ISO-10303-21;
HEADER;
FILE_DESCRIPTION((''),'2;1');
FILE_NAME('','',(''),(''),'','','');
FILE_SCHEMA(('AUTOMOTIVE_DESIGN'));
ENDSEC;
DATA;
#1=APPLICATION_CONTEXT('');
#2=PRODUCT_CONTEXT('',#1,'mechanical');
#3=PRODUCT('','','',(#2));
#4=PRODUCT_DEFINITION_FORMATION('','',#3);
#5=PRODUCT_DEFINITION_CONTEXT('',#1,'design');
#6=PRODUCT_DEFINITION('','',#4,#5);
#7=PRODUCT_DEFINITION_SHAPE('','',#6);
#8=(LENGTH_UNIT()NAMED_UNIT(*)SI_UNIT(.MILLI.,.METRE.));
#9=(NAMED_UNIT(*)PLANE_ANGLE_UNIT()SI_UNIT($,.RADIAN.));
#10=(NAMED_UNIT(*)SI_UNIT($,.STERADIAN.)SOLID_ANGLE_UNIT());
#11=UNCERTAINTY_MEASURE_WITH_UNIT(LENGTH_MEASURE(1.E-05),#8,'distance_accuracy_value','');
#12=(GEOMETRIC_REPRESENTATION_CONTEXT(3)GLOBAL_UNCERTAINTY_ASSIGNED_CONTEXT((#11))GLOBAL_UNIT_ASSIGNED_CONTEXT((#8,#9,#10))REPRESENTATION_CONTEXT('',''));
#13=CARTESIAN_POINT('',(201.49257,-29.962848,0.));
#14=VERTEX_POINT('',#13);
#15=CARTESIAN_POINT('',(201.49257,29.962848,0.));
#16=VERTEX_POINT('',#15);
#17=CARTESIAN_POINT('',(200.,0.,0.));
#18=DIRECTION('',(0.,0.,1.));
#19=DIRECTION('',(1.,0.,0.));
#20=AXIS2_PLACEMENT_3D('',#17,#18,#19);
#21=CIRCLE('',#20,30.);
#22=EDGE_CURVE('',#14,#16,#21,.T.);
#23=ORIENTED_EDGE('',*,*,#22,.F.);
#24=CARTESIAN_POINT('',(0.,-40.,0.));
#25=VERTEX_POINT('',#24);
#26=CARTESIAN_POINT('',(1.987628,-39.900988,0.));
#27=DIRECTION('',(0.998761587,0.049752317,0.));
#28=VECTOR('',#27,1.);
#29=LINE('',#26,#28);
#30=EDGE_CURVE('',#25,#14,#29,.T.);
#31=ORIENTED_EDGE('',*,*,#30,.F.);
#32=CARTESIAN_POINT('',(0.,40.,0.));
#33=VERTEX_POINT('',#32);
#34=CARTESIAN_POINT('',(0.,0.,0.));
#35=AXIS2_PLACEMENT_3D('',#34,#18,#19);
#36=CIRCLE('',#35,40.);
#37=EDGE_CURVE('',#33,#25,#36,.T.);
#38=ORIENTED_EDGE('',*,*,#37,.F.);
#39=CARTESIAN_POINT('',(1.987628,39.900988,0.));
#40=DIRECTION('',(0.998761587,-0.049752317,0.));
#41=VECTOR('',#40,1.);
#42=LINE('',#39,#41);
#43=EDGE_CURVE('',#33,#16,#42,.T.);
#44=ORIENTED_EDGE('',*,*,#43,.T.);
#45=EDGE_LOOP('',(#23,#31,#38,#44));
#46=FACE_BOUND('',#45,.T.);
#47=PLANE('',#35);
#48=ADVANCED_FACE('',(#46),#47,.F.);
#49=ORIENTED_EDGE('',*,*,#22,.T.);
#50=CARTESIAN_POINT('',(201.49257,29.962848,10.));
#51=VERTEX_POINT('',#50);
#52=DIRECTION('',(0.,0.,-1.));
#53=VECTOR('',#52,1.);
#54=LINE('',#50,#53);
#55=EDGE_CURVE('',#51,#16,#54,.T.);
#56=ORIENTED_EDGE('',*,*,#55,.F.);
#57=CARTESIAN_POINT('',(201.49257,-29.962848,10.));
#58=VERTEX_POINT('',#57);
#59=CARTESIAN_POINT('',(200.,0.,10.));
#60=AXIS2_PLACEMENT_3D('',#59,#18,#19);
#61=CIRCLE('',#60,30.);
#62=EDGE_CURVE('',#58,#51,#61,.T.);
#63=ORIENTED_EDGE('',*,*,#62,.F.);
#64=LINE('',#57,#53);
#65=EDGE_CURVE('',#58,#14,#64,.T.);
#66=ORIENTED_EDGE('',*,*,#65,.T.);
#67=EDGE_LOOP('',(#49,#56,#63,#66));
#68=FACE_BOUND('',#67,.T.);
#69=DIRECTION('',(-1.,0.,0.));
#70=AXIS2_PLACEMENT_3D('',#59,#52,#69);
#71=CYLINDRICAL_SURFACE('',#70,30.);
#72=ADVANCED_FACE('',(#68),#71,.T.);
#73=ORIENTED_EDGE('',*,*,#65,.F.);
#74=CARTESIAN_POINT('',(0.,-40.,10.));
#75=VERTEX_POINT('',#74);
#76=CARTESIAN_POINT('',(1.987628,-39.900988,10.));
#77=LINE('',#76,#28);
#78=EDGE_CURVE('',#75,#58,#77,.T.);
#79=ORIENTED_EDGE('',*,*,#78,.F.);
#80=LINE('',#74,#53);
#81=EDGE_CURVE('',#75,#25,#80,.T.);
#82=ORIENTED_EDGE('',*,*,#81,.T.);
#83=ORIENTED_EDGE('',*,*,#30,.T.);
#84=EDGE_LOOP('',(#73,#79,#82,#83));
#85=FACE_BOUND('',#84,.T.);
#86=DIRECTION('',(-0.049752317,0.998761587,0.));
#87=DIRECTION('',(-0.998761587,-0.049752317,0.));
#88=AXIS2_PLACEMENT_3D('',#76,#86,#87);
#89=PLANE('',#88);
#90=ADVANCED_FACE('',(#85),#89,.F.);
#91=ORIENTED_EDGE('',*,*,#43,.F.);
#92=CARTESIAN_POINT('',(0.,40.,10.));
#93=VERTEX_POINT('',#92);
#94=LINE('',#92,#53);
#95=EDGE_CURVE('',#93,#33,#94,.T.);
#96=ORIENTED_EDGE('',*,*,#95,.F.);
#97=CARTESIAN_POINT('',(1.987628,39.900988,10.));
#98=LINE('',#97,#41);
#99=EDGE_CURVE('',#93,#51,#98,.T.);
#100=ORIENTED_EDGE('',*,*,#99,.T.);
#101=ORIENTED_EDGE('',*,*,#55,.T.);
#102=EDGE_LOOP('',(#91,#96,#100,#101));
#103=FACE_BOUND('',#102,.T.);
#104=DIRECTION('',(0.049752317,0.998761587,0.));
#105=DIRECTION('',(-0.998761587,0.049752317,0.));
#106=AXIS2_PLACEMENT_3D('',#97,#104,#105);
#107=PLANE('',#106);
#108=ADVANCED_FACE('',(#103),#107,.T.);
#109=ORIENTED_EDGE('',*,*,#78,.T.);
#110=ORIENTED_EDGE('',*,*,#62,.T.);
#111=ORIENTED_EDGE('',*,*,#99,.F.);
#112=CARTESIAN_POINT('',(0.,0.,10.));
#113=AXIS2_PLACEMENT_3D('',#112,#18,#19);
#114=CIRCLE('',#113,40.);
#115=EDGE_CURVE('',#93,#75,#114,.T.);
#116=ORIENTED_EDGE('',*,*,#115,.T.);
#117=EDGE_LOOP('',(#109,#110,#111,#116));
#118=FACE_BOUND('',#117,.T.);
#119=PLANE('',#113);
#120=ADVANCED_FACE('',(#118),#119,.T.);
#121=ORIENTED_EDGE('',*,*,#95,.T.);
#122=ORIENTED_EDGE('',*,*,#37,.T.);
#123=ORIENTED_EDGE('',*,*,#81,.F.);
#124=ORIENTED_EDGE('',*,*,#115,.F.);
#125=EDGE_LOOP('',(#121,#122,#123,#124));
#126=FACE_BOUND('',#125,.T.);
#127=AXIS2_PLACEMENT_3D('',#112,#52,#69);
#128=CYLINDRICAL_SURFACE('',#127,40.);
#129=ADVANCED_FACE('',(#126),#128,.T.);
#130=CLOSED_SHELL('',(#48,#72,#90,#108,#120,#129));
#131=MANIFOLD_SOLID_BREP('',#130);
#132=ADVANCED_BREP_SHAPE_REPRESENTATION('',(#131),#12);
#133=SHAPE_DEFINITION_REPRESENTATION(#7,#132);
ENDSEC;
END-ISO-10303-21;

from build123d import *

# Parameters (mm, degrees)
EXTRUDE_1_DEPTH = 10


with BuildPart() as part:
    # 草图1 → 凸台-拉伸1 (new body)
    with BuildSketch(Plane.XY):
        with BuildLine():
            Line((201.49256952, 29.962847599), (0, 40))
            ThreePointArc((0, 40), (-40, 0), (0, -40))
            Line((0, -40), (201.49256952, -29.962847599))
            ThreePointArc((201.49256952, -29.962847599), (230, 0), (201.49256952, 29.962847599))
        make_face()
    extrude(amount=EXTRUDE_1_DEPTH)


solid = part.part
